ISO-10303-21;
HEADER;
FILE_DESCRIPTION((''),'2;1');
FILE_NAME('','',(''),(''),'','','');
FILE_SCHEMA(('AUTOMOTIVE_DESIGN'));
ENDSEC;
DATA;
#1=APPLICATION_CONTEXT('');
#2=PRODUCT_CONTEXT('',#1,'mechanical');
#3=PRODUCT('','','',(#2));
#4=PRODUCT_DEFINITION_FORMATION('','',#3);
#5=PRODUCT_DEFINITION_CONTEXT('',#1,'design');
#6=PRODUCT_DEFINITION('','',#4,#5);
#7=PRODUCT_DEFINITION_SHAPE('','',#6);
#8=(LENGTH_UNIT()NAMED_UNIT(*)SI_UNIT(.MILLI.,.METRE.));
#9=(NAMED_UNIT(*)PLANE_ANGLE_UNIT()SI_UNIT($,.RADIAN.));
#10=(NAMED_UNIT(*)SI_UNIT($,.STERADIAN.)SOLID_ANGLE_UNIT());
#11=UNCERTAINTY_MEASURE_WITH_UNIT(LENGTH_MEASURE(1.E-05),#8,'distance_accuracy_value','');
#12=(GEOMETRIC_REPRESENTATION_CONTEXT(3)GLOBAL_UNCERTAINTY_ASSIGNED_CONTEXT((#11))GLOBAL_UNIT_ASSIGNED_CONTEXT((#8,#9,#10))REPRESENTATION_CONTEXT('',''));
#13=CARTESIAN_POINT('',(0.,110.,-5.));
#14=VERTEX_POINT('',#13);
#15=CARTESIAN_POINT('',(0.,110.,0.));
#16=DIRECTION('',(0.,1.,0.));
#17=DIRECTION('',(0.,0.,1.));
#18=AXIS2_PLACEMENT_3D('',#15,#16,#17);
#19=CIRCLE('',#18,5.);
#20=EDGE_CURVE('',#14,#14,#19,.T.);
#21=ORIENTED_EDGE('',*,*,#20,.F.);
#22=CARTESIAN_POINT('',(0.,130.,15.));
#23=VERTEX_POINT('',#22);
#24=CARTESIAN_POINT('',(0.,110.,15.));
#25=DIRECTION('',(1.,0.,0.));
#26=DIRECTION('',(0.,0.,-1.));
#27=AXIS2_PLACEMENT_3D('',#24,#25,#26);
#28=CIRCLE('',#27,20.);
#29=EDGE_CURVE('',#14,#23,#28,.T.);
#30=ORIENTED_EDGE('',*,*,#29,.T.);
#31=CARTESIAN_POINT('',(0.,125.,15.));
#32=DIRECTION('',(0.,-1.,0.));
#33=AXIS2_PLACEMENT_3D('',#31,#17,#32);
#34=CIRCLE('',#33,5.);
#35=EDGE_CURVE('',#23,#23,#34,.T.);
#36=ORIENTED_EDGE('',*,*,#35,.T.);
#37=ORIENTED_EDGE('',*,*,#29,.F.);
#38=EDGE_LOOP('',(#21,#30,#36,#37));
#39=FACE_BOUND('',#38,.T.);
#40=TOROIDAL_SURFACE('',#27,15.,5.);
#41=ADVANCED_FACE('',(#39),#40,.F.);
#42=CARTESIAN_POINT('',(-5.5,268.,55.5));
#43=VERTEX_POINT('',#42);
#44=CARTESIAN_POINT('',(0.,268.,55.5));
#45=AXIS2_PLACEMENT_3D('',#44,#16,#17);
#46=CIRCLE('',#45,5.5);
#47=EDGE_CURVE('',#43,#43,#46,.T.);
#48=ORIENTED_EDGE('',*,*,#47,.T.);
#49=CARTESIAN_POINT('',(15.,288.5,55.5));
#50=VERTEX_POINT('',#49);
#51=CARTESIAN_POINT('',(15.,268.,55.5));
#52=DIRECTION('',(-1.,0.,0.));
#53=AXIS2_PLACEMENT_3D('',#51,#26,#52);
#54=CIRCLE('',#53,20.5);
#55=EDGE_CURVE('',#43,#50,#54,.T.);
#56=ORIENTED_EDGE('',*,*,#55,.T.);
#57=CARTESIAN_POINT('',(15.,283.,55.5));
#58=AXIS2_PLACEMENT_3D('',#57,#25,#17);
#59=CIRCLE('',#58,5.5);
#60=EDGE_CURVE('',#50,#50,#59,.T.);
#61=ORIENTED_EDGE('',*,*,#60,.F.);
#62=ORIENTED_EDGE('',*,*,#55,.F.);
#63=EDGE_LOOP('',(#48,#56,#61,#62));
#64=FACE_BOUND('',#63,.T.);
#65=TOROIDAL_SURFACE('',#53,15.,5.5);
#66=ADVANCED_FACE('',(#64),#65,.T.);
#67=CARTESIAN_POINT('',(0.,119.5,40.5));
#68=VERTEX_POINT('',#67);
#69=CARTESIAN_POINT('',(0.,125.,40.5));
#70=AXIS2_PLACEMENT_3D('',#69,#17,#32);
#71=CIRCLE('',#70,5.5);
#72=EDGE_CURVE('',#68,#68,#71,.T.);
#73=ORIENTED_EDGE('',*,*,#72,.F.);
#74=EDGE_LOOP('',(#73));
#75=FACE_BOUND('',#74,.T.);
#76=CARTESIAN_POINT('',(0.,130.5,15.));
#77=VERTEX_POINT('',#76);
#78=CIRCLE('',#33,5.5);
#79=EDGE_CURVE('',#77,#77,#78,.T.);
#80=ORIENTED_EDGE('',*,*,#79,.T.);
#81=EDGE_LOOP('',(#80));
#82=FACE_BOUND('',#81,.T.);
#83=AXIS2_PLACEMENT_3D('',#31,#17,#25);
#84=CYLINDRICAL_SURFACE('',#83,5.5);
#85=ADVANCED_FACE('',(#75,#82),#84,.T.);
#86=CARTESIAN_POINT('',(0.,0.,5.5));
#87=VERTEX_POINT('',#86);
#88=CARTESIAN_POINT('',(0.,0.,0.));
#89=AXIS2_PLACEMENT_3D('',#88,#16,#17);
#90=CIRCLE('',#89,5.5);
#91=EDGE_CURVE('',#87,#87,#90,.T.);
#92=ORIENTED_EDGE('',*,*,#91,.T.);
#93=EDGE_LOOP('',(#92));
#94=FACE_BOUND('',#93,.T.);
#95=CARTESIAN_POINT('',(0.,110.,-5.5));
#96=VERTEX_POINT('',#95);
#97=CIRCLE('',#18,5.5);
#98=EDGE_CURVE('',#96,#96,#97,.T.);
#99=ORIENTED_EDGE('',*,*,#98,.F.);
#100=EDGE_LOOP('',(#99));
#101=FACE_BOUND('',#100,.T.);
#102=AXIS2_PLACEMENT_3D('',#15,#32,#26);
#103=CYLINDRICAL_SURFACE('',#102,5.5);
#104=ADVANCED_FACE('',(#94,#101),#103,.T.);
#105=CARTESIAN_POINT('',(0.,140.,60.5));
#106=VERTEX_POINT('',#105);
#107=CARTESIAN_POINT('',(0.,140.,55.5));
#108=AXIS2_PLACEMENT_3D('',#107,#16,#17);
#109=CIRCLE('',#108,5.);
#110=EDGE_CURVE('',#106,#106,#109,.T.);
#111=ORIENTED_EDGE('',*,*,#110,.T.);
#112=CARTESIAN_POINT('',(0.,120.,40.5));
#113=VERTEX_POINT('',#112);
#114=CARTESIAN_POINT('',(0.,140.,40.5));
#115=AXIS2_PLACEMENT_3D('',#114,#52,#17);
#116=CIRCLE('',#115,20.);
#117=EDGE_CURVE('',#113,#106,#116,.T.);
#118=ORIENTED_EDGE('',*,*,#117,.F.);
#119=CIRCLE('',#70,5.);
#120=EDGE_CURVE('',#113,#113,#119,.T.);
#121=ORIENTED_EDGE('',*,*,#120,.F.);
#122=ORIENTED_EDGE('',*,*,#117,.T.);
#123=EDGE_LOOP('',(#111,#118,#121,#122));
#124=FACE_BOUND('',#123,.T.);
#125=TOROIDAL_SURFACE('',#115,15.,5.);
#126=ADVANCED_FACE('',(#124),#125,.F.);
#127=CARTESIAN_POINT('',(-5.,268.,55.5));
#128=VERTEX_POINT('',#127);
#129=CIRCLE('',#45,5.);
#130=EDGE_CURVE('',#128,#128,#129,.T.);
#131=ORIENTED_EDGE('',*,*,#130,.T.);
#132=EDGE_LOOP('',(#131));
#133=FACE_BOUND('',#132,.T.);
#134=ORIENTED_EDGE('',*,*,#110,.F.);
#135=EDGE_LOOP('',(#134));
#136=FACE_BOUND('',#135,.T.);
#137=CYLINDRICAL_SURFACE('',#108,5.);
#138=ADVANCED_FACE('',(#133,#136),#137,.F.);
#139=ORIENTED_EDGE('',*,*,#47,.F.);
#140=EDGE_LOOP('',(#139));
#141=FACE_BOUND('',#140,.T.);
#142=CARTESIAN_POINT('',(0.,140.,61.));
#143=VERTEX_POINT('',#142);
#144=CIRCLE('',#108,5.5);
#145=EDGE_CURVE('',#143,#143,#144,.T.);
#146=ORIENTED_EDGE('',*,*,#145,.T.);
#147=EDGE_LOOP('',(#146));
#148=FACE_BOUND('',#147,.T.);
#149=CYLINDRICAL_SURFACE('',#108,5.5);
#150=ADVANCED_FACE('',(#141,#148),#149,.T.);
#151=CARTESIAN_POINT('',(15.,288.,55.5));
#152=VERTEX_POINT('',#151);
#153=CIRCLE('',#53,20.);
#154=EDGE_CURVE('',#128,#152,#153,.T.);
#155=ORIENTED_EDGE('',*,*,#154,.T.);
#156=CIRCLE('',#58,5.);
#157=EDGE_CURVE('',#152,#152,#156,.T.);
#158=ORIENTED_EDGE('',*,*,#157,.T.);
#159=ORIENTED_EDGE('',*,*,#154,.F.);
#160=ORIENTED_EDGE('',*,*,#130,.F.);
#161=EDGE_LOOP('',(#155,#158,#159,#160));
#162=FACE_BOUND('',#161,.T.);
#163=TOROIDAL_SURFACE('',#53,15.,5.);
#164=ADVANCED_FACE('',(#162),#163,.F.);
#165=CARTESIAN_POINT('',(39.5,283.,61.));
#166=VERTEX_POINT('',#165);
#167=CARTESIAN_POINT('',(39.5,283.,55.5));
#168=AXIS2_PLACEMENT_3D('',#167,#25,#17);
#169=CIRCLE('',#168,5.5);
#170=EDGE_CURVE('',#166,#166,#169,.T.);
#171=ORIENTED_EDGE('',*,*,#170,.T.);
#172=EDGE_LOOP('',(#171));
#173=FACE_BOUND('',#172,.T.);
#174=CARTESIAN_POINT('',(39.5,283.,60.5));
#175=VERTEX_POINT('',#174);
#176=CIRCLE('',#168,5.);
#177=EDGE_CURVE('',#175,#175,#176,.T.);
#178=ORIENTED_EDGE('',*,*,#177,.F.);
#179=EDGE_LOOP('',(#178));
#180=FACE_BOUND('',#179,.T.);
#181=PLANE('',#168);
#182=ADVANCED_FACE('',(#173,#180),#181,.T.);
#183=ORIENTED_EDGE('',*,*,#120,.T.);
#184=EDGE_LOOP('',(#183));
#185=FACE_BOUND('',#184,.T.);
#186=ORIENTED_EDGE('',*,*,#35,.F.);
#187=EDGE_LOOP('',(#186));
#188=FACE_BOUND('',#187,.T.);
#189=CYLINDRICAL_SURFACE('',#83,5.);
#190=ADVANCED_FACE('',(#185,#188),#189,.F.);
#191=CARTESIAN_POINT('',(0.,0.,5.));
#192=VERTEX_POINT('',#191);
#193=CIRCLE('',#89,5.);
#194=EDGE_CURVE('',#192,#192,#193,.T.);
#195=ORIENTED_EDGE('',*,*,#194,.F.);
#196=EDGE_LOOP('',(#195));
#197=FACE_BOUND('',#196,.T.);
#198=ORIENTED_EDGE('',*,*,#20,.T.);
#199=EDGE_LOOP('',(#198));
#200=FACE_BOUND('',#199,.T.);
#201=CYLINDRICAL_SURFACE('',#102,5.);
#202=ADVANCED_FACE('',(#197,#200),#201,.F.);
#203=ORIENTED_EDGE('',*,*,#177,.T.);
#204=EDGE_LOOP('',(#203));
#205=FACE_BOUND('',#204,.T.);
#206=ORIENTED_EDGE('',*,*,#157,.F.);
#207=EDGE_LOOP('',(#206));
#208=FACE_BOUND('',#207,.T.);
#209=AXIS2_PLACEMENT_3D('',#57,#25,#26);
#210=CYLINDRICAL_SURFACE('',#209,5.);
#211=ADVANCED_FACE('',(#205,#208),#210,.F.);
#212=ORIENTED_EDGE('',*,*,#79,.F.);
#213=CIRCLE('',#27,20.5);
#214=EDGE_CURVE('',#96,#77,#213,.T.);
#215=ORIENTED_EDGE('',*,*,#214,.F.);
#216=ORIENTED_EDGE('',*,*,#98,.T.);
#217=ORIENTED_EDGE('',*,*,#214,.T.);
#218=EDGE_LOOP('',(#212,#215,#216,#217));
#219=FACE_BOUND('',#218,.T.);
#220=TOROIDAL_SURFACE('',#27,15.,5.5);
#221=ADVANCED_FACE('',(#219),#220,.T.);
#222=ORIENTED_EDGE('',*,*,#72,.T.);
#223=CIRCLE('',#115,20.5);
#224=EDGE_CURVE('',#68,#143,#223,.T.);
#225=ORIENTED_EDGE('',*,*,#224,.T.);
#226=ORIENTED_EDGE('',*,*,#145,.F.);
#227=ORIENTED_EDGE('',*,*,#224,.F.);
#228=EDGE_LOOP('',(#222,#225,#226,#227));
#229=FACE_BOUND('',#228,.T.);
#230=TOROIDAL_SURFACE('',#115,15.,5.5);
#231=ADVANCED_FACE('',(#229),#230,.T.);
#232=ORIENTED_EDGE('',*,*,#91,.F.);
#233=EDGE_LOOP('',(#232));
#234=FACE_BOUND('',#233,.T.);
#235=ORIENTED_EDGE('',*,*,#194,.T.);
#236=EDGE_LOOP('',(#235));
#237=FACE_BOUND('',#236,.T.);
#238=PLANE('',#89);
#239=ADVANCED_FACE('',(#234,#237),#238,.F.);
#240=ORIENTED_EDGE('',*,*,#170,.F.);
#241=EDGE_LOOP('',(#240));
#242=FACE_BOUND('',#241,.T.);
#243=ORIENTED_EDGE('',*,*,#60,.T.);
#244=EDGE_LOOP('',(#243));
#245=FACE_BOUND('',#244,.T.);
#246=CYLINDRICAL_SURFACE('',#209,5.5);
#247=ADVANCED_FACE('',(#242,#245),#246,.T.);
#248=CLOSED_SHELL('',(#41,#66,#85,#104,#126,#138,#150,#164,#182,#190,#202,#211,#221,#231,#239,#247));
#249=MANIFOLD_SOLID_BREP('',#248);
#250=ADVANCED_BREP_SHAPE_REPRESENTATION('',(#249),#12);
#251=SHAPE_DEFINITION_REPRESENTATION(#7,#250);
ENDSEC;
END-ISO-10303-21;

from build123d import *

# Parameters (mm, degrees)
ESQUISSE1_R   = 5.5
ESQUISSE1_R_2 = 5


with BuildPart() as part:
    # Balayage1: sweep along a curve in space
    with BuildLine() as balayage1_path:
        Line((0, 0, 0), (0, 110, 0))
        ThreePointArc((0, 110, 0), (0, 120.606601718, 4.393398282), (0, 125, 15))
        Line((0, 125, 15), (0, 125, 40.5))
        ThreePointArc((0, 125, 40.5), (0, 129.393398282, 51.106601718), (0, 140, 55.5))
        Line((0, 140, 55.5), (0, 268, 55.5))
        ThreePointArc((0, 268, 55.5), (4.393398282, 278.606601718, 55.5), (15, 283, 55.5))
        Line((15, 283, 55.5), (39.5, 283, 55.5))
    # Esquisse1 → Balayage1 (sweep)
    with BuildSketch(Plane(origin=(0, 0, 0), x_dir=(1, 0, 0), z_dir=(0, 1, 0))):
        Circle(ESQUISSE1_R)
        Circle(ESQUISSE1_R_2, mode=Mode.SUBTRACT)
    sweep(path=balayage1_path.line)


solid = part.part
